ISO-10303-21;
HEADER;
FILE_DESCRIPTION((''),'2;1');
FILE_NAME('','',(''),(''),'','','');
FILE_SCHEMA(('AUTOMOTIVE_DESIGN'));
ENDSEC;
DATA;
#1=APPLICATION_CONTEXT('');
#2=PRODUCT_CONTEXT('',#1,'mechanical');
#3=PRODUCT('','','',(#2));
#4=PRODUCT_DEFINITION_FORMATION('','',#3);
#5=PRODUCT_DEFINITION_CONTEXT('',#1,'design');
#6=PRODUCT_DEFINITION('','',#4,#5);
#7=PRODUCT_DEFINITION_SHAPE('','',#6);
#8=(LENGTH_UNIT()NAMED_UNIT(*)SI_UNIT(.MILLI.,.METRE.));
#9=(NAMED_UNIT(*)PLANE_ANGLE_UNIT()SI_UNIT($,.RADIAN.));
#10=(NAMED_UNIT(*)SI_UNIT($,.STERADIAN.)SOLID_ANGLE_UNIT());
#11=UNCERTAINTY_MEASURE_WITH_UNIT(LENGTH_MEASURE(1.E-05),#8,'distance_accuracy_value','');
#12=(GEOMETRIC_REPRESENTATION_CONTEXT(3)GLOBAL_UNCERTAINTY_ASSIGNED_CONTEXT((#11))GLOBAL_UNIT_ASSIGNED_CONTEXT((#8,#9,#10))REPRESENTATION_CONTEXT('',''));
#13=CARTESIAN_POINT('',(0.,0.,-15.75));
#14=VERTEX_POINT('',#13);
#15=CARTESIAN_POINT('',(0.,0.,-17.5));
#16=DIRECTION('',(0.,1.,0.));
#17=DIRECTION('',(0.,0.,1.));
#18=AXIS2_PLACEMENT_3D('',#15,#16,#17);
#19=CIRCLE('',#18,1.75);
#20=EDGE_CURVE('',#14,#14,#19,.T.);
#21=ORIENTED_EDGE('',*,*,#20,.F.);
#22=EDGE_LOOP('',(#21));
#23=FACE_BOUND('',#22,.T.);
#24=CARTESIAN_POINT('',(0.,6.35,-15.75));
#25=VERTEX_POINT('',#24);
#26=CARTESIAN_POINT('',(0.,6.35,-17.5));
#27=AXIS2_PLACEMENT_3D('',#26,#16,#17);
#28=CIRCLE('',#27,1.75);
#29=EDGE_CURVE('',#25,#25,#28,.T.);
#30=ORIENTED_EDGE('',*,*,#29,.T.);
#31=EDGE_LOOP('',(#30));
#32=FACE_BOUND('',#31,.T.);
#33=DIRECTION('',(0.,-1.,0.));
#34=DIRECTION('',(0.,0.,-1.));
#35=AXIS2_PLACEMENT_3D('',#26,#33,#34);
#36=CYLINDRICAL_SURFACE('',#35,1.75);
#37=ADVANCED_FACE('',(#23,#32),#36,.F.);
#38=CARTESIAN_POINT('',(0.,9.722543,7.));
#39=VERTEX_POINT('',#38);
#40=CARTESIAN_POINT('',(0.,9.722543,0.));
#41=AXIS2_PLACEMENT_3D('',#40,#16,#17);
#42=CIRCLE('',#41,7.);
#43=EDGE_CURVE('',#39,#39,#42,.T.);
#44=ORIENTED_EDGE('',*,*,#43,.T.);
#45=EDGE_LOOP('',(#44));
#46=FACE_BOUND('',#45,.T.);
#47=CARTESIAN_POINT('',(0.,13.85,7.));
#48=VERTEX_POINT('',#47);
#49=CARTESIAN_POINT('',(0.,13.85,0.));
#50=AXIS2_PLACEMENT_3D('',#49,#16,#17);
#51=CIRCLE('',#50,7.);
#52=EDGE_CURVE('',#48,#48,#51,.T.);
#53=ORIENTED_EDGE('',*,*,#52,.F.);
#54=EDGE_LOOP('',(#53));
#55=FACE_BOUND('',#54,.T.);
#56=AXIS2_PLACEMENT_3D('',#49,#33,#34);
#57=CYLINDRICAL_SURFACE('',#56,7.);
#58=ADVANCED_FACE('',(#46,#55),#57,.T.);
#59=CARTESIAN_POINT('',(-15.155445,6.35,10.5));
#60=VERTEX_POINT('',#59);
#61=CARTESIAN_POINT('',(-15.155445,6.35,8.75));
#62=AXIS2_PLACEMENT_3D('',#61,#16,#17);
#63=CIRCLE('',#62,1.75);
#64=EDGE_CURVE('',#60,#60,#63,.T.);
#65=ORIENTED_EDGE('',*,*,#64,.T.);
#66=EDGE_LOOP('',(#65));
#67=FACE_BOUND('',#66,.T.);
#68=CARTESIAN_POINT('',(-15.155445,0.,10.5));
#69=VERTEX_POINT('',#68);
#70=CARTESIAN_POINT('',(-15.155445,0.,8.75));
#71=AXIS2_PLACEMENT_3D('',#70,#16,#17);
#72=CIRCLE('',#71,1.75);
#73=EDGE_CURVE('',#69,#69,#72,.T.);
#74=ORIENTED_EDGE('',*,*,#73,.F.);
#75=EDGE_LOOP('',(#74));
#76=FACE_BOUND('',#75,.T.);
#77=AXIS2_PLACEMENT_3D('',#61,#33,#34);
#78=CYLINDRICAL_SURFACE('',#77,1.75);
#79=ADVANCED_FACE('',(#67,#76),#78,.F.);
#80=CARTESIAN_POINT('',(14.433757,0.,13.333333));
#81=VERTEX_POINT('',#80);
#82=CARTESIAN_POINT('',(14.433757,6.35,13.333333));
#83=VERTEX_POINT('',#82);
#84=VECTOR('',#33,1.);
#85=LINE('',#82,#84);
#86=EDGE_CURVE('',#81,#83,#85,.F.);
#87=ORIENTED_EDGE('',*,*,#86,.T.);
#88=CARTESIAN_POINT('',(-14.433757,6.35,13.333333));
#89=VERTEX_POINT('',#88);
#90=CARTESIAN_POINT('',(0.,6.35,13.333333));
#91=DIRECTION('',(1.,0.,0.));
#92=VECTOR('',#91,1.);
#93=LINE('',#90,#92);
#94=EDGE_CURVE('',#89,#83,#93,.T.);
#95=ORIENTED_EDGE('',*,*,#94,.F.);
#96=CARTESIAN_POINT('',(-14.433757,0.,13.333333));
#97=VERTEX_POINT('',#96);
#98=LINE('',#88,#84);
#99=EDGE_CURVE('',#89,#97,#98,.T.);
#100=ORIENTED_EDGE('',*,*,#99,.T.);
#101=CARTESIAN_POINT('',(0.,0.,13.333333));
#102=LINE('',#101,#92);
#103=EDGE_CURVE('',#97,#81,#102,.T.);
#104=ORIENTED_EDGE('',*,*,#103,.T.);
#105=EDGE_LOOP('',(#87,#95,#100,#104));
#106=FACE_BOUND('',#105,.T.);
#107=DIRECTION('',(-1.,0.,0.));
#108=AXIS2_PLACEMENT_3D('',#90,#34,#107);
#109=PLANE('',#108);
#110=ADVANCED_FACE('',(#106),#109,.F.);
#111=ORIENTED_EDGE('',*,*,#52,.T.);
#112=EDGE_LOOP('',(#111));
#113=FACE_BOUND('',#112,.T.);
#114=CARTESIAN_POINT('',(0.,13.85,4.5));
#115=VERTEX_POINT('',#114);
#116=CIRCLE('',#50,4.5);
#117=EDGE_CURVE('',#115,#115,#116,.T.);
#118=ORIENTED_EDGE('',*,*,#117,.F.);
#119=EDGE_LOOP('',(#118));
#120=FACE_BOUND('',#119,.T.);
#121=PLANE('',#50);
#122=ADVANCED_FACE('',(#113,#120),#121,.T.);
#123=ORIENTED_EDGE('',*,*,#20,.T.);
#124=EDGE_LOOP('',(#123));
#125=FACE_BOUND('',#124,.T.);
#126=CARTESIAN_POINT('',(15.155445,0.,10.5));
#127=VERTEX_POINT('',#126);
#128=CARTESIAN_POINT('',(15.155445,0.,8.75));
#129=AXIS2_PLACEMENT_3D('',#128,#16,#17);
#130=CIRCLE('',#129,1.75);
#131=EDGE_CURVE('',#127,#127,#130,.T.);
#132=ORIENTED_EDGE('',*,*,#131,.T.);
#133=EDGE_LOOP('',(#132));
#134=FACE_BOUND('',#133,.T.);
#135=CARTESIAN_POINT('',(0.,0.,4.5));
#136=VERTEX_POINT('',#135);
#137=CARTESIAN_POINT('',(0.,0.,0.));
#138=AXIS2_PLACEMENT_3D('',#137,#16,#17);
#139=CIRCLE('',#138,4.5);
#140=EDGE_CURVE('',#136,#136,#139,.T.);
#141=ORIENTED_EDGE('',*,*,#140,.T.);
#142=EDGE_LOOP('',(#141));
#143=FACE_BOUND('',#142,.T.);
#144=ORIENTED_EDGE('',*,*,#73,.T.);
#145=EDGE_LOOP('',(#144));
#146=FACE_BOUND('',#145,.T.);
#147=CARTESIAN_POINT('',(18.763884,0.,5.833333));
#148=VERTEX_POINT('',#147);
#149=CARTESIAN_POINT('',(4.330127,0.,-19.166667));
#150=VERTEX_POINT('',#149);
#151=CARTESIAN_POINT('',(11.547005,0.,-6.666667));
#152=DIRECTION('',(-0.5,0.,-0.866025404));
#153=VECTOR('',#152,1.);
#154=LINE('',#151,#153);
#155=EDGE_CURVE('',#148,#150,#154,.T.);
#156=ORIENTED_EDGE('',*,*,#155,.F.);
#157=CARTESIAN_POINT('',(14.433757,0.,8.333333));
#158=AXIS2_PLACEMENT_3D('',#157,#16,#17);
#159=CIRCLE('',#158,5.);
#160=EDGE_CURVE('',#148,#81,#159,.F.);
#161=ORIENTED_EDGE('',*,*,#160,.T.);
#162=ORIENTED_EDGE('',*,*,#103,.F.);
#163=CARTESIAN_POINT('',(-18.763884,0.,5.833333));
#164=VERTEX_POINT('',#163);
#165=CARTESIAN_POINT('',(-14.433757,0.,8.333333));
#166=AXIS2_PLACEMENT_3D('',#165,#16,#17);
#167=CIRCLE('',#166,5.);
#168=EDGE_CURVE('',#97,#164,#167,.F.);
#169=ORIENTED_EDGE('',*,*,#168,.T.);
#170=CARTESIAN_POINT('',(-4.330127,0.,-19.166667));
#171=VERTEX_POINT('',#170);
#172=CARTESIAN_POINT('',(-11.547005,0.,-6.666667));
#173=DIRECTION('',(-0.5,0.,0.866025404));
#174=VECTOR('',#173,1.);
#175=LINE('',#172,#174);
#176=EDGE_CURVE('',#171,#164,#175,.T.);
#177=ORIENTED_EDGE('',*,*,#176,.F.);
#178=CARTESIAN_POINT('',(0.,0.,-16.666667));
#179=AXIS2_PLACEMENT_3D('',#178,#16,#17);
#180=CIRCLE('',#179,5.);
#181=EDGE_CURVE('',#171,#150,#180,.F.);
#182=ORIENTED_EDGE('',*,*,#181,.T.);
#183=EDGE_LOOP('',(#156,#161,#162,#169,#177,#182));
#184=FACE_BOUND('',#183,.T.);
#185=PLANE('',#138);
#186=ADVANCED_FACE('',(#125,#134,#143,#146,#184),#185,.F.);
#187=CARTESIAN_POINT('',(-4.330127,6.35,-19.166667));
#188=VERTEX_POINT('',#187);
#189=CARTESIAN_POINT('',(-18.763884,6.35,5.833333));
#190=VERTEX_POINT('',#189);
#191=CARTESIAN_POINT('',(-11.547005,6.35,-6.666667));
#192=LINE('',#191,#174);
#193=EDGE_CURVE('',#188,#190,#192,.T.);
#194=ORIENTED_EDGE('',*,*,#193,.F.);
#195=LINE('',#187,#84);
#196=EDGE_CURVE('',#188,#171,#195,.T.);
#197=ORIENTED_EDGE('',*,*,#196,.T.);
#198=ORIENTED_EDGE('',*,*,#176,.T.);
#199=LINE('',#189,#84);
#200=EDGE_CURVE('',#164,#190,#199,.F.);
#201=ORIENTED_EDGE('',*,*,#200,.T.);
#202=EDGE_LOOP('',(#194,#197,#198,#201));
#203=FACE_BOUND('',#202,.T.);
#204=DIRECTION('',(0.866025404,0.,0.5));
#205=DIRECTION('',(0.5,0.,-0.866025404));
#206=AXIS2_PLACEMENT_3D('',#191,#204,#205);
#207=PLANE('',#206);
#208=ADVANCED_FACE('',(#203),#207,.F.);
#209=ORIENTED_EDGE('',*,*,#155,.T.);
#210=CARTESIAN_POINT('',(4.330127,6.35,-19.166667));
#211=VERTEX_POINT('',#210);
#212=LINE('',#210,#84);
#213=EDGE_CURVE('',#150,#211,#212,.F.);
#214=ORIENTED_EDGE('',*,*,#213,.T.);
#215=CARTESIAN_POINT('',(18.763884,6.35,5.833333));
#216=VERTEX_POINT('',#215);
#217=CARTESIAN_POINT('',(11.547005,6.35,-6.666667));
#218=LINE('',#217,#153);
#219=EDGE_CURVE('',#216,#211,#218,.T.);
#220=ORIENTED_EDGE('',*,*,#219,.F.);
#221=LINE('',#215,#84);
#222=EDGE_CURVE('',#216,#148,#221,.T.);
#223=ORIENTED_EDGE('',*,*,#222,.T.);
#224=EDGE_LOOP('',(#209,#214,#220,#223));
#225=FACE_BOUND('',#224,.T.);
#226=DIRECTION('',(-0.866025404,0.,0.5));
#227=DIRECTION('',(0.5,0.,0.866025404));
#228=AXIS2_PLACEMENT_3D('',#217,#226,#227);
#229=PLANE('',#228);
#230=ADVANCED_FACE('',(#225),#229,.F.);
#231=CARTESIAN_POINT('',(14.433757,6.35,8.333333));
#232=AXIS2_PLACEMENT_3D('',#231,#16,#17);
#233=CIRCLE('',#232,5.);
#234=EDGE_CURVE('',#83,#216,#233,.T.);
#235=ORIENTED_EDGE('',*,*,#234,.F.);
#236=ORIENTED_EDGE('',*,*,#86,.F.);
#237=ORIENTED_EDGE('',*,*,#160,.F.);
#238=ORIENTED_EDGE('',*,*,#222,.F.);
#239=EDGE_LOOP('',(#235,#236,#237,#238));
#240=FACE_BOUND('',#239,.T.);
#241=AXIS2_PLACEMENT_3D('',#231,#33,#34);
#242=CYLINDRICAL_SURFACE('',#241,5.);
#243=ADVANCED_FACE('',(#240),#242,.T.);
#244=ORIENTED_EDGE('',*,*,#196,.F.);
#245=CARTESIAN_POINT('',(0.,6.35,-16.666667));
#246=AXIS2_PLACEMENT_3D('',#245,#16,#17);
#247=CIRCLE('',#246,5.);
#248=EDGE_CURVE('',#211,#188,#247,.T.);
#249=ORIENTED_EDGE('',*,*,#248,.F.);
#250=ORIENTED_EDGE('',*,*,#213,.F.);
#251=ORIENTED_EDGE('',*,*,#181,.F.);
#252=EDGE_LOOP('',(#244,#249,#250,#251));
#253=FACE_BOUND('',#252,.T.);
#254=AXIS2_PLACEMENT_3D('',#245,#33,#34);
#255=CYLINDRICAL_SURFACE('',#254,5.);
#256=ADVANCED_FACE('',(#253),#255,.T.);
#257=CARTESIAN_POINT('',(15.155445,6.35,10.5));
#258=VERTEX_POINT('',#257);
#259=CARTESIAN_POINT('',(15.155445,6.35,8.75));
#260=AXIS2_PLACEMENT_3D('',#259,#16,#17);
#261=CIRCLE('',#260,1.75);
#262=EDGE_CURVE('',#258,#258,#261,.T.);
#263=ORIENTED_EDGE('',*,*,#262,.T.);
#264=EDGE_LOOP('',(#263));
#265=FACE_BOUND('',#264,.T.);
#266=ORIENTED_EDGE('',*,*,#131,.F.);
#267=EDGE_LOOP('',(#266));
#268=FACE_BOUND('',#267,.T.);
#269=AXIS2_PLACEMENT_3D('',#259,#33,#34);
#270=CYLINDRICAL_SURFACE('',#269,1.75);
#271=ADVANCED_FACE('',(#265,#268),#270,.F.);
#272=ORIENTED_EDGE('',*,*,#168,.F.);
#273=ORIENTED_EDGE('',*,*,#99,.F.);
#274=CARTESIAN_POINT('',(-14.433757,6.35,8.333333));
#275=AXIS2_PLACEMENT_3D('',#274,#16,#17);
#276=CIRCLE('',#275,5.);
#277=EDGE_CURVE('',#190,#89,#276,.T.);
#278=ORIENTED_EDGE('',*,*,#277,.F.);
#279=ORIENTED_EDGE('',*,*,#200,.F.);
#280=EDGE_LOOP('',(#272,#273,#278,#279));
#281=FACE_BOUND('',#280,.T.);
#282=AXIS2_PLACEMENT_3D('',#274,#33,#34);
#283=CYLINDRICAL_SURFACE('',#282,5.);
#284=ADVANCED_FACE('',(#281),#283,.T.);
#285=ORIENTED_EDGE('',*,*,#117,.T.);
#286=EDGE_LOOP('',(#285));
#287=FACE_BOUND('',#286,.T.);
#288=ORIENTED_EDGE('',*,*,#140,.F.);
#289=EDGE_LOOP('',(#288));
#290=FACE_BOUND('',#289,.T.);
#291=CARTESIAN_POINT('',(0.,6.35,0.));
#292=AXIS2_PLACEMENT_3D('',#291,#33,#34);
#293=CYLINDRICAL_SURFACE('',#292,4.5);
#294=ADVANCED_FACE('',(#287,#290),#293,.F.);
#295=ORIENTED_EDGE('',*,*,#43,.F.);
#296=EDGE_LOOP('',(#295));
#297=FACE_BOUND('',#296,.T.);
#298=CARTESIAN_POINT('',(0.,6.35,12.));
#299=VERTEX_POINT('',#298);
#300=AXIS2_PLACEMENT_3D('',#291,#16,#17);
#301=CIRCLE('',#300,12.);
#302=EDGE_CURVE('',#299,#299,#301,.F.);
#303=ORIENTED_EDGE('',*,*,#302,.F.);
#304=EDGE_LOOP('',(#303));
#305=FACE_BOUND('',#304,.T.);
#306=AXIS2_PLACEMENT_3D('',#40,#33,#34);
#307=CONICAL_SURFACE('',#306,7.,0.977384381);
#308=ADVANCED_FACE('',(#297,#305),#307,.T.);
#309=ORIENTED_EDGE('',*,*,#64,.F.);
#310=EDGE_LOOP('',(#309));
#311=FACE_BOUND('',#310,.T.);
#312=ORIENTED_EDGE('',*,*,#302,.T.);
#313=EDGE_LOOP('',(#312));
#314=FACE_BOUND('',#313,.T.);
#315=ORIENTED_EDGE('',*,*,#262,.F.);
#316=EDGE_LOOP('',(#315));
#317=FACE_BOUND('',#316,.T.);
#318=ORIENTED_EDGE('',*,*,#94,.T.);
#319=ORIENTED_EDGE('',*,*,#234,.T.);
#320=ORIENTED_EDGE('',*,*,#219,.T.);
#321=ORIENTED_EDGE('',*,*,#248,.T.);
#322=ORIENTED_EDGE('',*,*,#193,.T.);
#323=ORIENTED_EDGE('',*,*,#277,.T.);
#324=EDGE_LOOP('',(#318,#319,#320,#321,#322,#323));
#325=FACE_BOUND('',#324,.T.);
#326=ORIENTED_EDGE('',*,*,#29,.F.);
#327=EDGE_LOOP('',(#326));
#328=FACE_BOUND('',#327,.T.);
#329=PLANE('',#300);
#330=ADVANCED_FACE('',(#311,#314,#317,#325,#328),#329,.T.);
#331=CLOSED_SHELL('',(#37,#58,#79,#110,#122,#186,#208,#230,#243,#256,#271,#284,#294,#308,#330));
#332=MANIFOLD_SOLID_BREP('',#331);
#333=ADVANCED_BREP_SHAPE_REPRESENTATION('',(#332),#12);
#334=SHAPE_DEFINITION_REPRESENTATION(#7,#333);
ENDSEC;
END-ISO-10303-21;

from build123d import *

# Parameters (mm, degrees)
SKETCH1_R           = 1.75
SKETCH1_R_2         = 4.5
BOSS_EXTRUDE1_DEPTH = 6.35
FILLET1_R           = 5
SKETCH2_R           = 7
SKETCH2_R_2         = 4.5
BOSS_EXTRUDE2_DEPTH = 7.5
CHAMFER1_SIZE       = 5
CHAMFER1_SIZE2      = 3.372542584


with BuildPart() as part:
    # Sketch1 → Boss-Extrude1 (new body)
    with BuildSketch(Plane(origin=(0, 0, 0), x_dir=(1, 0, 0), z_dir=(0, 1, 0))):
        Polygon((-23.094010768, -13.333333333), (23.094010768, -13.333333333), (0, 26.666666667), align=None)
        with Locations(Location((0, 17.5, 0), (0, 0, 270))):
            Circle(SKETCH1_R, mode=Mode.SUBTRACT)
        with Locations(Location((-15.155444566, -8.75, 0), (0, 0, 270))):
            Circle(SKETCH1_R, mode=Mode.SUBTRACT)
        with Locations(Location((15.155444566, -8.75, 0), (0, 0, 270))):
            Circle(SKETCH1_R, mode=Mode.SUBTRACT)
        with Locations(Location((0, 0, 0), (0, 0, 270))):
            Circle(SKETCH1_R_2, mode=Mode.SUBTRACT)
    extrude(amount=BOSS_EXTRUDE1_DEPTH)

    # Fillet1
    fillet1_edges = [part.edges().sort_by_distance(p)[0] for p in [
        (-23.094010768, 3.175, 13.333333333),
        (0, 3.175, -26.666666667),
        (23.094010768, 3.175, 13.333333333),
    ]]
    fillet(fillet1_edges, radius=FILLET1_R)

    # Sketch2 → Boss-Extrude2 (add)
    with BuildSketch(Plane(origin=(0, 6.35, 0), x_dir=(1, 0, 0), z_dir=(0, 1, 0))):
        with Locations(Location((0, 0, 0), (0, 0, 270))):
            Circle(SKETCH2_R)
        with Locations(Location((0, 0, 0), (0, 0, 270))):
            Circle(SKETCH2_R_2, mode=Mode.SUBTRACT)
    extrude(amount=BOSS_EXTRUDE2_DEPTH)

    # Chamfer1
    chamfer1_edges = [part.edges().sort_by_distance(p)[0] for p in [
        (0, 6.35, -7),
    ]]
    chamfer1_side = [part.faces().sort_by_distance(p)[0] for p in [
        (0, 6.35, 12.810295705),
    ]]
    chamfer(chamfer1_edges, length=CHAMFER1_SIZE, length2=CHAMFER1_SIZE2, reference=chamfer1_side[0])


solid = part.part
